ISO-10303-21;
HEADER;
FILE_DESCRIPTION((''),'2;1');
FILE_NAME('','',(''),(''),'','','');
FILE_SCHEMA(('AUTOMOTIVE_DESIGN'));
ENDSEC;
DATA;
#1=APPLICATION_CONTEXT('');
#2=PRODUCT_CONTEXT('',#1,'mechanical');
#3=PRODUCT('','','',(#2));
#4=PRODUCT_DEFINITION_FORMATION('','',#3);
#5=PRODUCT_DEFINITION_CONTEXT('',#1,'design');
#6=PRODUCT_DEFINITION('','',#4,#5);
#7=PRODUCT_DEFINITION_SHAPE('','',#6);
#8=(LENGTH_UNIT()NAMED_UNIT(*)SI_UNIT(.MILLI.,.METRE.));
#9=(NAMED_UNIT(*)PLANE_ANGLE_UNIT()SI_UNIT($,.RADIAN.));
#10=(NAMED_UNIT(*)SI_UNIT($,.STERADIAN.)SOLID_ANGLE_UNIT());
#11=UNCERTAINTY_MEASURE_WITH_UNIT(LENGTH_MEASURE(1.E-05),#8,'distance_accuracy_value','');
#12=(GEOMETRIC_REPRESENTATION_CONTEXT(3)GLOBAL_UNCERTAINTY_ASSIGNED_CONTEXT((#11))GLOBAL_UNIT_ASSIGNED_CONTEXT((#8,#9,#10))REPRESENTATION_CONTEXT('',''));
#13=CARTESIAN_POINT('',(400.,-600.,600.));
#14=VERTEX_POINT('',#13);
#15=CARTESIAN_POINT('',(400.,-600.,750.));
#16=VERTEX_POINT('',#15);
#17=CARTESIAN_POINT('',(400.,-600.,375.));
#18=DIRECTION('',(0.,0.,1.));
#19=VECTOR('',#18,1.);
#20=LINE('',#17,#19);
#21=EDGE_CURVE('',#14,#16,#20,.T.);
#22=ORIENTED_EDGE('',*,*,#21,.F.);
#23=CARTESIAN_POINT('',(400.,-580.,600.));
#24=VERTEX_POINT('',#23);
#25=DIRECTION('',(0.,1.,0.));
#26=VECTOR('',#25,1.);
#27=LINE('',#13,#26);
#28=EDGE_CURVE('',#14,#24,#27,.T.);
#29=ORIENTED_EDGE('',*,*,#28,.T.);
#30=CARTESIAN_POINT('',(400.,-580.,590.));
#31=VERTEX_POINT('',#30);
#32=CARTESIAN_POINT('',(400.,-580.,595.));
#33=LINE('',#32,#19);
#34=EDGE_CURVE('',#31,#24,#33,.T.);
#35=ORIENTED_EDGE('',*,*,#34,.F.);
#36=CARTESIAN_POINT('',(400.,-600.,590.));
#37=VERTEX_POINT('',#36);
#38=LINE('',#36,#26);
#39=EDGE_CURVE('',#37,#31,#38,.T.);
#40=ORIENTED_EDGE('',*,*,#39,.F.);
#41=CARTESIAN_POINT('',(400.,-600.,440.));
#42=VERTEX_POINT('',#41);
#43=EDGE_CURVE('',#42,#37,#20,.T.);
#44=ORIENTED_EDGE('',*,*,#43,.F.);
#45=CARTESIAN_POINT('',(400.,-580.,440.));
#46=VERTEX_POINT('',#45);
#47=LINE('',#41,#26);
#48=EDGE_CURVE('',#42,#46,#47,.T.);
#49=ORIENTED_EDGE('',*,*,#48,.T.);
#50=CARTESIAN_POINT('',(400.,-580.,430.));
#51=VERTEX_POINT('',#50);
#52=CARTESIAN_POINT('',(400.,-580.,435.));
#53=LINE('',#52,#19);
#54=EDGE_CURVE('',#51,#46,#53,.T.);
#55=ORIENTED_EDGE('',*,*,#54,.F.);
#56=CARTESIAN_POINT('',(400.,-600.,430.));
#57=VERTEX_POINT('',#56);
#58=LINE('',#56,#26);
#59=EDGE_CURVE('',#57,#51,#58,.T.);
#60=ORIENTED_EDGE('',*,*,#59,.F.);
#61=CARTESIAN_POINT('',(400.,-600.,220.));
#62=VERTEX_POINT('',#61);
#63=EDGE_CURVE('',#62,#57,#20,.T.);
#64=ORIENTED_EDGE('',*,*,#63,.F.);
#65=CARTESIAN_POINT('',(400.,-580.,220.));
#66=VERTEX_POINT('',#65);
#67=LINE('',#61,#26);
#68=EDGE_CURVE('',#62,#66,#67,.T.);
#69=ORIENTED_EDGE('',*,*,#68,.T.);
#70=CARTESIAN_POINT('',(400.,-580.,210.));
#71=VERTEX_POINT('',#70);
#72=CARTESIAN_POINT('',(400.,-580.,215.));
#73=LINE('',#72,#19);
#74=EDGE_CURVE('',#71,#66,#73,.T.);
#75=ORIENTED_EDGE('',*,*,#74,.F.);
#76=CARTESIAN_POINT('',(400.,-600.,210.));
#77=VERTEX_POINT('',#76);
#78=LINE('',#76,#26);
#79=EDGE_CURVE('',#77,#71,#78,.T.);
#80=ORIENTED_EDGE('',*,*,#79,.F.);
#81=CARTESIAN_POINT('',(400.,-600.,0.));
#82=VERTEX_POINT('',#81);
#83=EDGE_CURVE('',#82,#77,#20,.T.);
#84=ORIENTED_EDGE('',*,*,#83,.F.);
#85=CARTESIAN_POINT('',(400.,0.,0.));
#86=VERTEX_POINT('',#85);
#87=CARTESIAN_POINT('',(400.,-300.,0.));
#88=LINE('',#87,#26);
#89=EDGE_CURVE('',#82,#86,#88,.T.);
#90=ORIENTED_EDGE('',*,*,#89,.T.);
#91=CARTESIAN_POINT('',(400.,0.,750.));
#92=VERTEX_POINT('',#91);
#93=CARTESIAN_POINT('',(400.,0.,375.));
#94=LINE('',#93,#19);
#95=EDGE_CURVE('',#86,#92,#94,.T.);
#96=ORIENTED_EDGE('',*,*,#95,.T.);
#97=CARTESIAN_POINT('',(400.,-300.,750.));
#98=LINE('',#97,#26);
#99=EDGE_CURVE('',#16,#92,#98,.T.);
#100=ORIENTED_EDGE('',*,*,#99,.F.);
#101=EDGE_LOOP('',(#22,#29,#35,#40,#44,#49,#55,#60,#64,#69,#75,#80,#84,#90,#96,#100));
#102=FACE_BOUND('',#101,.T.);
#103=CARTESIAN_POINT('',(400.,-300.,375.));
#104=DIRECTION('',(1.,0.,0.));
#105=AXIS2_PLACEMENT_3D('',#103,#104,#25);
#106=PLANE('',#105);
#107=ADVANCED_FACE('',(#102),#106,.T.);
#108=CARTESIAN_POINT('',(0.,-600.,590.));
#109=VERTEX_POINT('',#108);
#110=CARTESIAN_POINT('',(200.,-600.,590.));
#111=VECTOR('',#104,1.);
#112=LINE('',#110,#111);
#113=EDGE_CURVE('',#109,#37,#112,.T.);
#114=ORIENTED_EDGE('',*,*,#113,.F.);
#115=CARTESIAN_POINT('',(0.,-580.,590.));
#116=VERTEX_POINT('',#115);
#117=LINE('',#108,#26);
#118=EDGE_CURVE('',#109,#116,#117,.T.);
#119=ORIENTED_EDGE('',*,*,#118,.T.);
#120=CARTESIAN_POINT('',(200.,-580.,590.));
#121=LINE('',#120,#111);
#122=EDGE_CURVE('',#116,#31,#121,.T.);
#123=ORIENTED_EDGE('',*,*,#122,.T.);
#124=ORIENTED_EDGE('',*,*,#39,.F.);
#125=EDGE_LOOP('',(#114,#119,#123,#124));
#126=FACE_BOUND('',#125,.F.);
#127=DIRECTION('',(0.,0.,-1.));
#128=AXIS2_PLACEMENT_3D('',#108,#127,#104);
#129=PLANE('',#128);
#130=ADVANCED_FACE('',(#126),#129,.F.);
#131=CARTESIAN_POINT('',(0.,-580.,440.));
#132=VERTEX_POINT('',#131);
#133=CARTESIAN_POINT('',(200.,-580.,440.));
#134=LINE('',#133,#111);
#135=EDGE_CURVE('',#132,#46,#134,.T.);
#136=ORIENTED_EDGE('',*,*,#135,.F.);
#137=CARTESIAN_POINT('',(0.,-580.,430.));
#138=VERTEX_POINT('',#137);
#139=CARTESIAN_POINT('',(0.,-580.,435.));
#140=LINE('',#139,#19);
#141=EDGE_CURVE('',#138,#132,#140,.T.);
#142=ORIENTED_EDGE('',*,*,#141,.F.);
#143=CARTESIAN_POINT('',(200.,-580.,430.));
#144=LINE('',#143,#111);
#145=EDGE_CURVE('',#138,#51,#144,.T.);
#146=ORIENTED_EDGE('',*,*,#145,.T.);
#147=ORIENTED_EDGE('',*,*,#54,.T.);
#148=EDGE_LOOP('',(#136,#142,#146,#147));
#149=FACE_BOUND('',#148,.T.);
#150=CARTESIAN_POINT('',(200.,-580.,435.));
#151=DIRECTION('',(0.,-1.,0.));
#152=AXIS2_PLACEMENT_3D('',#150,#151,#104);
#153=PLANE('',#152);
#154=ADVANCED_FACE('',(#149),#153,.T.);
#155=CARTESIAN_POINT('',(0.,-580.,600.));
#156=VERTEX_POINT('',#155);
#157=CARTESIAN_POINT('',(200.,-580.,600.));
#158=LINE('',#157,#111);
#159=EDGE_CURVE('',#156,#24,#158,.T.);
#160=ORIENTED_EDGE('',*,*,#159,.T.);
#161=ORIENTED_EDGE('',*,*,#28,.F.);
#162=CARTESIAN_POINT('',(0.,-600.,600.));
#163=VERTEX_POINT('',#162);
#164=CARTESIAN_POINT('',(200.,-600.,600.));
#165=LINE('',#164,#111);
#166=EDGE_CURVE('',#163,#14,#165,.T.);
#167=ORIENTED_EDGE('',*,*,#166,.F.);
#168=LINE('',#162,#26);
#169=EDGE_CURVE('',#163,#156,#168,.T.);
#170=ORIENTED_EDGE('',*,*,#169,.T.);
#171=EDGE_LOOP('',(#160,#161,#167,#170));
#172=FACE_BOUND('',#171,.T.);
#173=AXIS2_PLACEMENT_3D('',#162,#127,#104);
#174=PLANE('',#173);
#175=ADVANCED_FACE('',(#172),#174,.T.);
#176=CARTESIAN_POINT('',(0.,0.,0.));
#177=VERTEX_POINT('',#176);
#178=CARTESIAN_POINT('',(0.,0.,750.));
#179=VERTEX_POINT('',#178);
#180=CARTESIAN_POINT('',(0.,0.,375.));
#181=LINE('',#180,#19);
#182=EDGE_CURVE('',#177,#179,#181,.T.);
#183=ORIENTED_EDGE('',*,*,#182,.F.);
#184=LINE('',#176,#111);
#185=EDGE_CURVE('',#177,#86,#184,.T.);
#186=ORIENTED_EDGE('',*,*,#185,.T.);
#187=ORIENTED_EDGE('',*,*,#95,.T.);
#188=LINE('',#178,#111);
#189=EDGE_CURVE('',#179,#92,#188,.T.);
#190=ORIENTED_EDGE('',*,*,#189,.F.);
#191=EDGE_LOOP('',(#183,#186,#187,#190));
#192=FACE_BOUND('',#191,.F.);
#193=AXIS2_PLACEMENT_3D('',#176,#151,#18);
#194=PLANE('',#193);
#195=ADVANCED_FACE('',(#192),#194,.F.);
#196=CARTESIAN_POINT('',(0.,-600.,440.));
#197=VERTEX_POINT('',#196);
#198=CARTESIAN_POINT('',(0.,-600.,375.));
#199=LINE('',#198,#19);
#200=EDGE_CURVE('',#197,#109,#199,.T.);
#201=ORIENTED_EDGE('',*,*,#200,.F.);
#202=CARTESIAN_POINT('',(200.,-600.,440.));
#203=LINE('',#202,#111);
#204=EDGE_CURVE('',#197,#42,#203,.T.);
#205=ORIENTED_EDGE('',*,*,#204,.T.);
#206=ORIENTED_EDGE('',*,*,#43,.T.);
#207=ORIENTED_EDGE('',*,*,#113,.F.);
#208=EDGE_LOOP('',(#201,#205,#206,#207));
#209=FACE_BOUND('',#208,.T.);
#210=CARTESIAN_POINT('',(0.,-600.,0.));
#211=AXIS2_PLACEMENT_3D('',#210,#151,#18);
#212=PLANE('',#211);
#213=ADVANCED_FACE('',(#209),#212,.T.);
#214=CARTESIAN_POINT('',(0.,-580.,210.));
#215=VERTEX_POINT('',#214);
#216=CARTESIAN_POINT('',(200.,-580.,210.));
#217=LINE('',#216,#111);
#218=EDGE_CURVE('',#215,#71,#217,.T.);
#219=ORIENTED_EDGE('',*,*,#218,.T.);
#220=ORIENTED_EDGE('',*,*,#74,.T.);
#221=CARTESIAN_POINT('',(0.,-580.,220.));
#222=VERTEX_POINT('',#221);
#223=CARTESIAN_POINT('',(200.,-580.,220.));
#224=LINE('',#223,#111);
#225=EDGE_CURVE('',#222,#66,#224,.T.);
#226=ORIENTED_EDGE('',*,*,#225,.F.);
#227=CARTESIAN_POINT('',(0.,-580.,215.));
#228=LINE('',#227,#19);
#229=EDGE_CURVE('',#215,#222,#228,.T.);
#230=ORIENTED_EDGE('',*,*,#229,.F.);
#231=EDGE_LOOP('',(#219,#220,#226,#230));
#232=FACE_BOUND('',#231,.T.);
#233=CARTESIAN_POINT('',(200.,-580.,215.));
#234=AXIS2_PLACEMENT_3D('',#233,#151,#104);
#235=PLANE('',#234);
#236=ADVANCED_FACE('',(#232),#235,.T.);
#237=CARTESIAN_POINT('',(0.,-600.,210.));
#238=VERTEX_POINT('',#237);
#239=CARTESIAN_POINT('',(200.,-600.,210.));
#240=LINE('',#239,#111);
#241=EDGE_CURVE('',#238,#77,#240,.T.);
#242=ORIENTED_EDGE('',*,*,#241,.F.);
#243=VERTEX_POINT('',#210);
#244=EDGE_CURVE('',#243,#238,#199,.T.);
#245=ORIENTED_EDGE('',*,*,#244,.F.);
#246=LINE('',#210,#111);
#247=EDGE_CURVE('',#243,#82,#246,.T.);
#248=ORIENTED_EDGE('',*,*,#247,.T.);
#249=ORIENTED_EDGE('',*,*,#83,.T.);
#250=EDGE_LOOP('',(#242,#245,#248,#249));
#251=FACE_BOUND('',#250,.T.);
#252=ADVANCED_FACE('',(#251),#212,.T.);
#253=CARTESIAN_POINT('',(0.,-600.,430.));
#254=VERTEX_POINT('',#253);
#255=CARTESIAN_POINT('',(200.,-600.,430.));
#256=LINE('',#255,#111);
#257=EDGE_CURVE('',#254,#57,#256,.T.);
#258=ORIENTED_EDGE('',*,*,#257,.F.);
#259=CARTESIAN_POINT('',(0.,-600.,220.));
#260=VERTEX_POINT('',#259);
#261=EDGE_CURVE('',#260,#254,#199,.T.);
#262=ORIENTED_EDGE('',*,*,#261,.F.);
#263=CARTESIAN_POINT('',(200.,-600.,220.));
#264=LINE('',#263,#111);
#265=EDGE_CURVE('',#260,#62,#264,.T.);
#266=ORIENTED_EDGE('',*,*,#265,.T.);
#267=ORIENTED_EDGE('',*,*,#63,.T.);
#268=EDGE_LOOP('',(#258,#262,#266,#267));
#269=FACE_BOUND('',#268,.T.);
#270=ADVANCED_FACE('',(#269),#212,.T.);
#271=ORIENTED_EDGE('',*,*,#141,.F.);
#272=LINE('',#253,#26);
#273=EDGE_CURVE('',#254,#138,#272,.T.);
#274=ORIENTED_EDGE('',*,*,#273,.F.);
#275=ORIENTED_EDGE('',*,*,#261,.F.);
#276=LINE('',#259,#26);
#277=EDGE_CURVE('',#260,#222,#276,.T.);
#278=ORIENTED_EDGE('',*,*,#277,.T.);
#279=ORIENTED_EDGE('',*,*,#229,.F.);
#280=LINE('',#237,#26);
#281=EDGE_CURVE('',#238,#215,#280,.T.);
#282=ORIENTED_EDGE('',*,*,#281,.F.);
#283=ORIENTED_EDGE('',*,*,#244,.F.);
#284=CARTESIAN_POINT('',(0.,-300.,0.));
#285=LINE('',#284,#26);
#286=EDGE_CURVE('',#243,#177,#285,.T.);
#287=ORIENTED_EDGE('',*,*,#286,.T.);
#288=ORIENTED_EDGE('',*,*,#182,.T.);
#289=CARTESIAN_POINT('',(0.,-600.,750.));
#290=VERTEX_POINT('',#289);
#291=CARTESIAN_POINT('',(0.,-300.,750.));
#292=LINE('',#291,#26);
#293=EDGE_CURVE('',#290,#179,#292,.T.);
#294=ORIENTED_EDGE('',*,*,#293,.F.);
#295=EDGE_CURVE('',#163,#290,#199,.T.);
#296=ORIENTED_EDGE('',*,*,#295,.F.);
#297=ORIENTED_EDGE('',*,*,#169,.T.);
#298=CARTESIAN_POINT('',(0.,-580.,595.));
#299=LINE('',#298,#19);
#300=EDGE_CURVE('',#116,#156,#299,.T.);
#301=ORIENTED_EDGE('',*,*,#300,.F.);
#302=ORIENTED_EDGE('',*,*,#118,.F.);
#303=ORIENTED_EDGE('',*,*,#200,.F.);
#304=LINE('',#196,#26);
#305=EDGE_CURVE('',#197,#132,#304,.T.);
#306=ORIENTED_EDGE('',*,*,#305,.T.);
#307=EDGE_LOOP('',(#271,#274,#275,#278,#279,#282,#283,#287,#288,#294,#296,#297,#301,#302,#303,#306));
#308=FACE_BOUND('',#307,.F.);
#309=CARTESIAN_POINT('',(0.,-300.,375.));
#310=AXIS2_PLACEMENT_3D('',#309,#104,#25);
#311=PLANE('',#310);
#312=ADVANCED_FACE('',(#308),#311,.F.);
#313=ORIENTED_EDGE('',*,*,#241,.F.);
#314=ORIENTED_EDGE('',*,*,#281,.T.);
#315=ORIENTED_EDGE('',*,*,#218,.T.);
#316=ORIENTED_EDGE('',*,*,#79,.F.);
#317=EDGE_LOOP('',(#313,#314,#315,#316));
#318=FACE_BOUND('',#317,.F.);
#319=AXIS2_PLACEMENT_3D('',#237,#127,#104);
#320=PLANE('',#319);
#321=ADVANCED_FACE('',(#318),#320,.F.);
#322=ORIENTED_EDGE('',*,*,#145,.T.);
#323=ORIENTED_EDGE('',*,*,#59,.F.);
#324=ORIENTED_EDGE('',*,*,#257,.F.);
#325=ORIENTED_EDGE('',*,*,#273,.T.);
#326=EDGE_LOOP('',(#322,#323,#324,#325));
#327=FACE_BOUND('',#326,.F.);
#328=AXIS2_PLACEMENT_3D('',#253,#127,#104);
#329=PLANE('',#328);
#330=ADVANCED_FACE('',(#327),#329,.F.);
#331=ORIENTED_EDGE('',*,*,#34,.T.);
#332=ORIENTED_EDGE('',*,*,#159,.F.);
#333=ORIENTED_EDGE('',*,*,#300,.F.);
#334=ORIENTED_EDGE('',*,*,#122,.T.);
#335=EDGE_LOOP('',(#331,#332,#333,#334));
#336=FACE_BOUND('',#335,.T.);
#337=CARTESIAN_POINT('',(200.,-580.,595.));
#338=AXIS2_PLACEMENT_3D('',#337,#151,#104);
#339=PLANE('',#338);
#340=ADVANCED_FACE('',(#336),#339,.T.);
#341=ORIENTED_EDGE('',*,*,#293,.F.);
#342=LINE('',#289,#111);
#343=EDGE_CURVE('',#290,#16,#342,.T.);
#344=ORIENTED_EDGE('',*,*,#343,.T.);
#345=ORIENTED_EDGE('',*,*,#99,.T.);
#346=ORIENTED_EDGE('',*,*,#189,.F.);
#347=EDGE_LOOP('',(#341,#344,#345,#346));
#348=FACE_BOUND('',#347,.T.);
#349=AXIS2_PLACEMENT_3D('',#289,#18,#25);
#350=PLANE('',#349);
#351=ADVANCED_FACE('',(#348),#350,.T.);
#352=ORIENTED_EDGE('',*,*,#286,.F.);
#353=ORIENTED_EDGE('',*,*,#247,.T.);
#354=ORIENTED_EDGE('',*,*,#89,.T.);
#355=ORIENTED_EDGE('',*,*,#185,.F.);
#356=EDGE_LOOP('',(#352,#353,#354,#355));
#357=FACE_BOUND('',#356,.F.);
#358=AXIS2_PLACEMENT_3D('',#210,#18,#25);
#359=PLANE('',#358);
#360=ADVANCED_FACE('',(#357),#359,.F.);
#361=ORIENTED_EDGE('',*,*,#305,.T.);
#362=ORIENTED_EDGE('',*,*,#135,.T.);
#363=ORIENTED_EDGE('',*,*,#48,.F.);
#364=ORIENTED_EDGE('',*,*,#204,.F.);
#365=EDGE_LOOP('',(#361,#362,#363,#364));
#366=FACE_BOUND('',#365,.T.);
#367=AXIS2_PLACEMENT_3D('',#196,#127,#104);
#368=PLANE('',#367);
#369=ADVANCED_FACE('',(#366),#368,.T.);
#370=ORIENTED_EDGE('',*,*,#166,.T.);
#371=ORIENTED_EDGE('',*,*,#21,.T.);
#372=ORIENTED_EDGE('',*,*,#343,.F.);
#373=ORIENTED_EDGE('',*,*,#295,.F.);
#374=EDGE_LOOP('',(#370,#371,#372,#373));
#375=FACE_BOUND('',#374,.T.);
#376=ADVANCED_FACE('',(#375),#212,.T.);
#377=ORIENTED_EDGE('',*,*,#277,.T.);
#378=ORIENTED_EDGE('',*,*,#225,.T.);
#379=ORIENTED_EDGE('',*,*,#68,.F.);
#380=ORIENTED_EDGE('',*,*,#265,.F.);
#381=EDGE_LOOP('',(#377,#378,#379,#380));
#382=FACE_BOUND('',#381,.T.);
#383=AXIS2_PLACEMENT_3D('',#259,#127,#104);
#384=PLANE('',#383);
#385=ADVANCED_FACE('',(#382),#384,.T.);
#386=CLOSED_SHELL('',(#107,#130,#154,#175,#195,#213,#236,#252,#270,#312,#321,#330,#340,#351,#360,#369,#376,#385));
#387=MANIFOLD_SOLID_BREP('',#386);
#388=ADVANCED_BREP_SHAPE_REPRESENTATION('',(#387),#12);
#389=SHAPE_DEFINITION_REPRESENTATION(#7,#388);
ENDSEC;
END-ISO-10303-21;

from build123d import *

# Parameters (mm, degrees)
F0_W     = 600
F0_H     = 750
F1_DEPTH = 400
F2_W     = 400
F2_H     = 10
F3_DEPTH = 20


with BuildPart() as f1:
    # F0 (on Right) → F1 (new body)
    with BuildSketch(Plane.YZ):
        with Locations((-300, 375)):
            Rectangle(F0_W, F0_H)
    extrude(amount=F1_DEPTH)

    # F2 (on face) → F3 (cut)
    with BuildSketch(Plane.XZ.offset(600)):
        with Locations((200, 595)):
            Rectangle(F2_W, F2_H)
        with Locations((200, 435)):
            Rectangle(F2_W, F2_H)
        with Locations((200, 215)):
            Rectangle(F2_W, F2_H)
    extrude(amount=-F3_DEPTH, mode=Mode.SUBTRACT)


solid = f1.part
